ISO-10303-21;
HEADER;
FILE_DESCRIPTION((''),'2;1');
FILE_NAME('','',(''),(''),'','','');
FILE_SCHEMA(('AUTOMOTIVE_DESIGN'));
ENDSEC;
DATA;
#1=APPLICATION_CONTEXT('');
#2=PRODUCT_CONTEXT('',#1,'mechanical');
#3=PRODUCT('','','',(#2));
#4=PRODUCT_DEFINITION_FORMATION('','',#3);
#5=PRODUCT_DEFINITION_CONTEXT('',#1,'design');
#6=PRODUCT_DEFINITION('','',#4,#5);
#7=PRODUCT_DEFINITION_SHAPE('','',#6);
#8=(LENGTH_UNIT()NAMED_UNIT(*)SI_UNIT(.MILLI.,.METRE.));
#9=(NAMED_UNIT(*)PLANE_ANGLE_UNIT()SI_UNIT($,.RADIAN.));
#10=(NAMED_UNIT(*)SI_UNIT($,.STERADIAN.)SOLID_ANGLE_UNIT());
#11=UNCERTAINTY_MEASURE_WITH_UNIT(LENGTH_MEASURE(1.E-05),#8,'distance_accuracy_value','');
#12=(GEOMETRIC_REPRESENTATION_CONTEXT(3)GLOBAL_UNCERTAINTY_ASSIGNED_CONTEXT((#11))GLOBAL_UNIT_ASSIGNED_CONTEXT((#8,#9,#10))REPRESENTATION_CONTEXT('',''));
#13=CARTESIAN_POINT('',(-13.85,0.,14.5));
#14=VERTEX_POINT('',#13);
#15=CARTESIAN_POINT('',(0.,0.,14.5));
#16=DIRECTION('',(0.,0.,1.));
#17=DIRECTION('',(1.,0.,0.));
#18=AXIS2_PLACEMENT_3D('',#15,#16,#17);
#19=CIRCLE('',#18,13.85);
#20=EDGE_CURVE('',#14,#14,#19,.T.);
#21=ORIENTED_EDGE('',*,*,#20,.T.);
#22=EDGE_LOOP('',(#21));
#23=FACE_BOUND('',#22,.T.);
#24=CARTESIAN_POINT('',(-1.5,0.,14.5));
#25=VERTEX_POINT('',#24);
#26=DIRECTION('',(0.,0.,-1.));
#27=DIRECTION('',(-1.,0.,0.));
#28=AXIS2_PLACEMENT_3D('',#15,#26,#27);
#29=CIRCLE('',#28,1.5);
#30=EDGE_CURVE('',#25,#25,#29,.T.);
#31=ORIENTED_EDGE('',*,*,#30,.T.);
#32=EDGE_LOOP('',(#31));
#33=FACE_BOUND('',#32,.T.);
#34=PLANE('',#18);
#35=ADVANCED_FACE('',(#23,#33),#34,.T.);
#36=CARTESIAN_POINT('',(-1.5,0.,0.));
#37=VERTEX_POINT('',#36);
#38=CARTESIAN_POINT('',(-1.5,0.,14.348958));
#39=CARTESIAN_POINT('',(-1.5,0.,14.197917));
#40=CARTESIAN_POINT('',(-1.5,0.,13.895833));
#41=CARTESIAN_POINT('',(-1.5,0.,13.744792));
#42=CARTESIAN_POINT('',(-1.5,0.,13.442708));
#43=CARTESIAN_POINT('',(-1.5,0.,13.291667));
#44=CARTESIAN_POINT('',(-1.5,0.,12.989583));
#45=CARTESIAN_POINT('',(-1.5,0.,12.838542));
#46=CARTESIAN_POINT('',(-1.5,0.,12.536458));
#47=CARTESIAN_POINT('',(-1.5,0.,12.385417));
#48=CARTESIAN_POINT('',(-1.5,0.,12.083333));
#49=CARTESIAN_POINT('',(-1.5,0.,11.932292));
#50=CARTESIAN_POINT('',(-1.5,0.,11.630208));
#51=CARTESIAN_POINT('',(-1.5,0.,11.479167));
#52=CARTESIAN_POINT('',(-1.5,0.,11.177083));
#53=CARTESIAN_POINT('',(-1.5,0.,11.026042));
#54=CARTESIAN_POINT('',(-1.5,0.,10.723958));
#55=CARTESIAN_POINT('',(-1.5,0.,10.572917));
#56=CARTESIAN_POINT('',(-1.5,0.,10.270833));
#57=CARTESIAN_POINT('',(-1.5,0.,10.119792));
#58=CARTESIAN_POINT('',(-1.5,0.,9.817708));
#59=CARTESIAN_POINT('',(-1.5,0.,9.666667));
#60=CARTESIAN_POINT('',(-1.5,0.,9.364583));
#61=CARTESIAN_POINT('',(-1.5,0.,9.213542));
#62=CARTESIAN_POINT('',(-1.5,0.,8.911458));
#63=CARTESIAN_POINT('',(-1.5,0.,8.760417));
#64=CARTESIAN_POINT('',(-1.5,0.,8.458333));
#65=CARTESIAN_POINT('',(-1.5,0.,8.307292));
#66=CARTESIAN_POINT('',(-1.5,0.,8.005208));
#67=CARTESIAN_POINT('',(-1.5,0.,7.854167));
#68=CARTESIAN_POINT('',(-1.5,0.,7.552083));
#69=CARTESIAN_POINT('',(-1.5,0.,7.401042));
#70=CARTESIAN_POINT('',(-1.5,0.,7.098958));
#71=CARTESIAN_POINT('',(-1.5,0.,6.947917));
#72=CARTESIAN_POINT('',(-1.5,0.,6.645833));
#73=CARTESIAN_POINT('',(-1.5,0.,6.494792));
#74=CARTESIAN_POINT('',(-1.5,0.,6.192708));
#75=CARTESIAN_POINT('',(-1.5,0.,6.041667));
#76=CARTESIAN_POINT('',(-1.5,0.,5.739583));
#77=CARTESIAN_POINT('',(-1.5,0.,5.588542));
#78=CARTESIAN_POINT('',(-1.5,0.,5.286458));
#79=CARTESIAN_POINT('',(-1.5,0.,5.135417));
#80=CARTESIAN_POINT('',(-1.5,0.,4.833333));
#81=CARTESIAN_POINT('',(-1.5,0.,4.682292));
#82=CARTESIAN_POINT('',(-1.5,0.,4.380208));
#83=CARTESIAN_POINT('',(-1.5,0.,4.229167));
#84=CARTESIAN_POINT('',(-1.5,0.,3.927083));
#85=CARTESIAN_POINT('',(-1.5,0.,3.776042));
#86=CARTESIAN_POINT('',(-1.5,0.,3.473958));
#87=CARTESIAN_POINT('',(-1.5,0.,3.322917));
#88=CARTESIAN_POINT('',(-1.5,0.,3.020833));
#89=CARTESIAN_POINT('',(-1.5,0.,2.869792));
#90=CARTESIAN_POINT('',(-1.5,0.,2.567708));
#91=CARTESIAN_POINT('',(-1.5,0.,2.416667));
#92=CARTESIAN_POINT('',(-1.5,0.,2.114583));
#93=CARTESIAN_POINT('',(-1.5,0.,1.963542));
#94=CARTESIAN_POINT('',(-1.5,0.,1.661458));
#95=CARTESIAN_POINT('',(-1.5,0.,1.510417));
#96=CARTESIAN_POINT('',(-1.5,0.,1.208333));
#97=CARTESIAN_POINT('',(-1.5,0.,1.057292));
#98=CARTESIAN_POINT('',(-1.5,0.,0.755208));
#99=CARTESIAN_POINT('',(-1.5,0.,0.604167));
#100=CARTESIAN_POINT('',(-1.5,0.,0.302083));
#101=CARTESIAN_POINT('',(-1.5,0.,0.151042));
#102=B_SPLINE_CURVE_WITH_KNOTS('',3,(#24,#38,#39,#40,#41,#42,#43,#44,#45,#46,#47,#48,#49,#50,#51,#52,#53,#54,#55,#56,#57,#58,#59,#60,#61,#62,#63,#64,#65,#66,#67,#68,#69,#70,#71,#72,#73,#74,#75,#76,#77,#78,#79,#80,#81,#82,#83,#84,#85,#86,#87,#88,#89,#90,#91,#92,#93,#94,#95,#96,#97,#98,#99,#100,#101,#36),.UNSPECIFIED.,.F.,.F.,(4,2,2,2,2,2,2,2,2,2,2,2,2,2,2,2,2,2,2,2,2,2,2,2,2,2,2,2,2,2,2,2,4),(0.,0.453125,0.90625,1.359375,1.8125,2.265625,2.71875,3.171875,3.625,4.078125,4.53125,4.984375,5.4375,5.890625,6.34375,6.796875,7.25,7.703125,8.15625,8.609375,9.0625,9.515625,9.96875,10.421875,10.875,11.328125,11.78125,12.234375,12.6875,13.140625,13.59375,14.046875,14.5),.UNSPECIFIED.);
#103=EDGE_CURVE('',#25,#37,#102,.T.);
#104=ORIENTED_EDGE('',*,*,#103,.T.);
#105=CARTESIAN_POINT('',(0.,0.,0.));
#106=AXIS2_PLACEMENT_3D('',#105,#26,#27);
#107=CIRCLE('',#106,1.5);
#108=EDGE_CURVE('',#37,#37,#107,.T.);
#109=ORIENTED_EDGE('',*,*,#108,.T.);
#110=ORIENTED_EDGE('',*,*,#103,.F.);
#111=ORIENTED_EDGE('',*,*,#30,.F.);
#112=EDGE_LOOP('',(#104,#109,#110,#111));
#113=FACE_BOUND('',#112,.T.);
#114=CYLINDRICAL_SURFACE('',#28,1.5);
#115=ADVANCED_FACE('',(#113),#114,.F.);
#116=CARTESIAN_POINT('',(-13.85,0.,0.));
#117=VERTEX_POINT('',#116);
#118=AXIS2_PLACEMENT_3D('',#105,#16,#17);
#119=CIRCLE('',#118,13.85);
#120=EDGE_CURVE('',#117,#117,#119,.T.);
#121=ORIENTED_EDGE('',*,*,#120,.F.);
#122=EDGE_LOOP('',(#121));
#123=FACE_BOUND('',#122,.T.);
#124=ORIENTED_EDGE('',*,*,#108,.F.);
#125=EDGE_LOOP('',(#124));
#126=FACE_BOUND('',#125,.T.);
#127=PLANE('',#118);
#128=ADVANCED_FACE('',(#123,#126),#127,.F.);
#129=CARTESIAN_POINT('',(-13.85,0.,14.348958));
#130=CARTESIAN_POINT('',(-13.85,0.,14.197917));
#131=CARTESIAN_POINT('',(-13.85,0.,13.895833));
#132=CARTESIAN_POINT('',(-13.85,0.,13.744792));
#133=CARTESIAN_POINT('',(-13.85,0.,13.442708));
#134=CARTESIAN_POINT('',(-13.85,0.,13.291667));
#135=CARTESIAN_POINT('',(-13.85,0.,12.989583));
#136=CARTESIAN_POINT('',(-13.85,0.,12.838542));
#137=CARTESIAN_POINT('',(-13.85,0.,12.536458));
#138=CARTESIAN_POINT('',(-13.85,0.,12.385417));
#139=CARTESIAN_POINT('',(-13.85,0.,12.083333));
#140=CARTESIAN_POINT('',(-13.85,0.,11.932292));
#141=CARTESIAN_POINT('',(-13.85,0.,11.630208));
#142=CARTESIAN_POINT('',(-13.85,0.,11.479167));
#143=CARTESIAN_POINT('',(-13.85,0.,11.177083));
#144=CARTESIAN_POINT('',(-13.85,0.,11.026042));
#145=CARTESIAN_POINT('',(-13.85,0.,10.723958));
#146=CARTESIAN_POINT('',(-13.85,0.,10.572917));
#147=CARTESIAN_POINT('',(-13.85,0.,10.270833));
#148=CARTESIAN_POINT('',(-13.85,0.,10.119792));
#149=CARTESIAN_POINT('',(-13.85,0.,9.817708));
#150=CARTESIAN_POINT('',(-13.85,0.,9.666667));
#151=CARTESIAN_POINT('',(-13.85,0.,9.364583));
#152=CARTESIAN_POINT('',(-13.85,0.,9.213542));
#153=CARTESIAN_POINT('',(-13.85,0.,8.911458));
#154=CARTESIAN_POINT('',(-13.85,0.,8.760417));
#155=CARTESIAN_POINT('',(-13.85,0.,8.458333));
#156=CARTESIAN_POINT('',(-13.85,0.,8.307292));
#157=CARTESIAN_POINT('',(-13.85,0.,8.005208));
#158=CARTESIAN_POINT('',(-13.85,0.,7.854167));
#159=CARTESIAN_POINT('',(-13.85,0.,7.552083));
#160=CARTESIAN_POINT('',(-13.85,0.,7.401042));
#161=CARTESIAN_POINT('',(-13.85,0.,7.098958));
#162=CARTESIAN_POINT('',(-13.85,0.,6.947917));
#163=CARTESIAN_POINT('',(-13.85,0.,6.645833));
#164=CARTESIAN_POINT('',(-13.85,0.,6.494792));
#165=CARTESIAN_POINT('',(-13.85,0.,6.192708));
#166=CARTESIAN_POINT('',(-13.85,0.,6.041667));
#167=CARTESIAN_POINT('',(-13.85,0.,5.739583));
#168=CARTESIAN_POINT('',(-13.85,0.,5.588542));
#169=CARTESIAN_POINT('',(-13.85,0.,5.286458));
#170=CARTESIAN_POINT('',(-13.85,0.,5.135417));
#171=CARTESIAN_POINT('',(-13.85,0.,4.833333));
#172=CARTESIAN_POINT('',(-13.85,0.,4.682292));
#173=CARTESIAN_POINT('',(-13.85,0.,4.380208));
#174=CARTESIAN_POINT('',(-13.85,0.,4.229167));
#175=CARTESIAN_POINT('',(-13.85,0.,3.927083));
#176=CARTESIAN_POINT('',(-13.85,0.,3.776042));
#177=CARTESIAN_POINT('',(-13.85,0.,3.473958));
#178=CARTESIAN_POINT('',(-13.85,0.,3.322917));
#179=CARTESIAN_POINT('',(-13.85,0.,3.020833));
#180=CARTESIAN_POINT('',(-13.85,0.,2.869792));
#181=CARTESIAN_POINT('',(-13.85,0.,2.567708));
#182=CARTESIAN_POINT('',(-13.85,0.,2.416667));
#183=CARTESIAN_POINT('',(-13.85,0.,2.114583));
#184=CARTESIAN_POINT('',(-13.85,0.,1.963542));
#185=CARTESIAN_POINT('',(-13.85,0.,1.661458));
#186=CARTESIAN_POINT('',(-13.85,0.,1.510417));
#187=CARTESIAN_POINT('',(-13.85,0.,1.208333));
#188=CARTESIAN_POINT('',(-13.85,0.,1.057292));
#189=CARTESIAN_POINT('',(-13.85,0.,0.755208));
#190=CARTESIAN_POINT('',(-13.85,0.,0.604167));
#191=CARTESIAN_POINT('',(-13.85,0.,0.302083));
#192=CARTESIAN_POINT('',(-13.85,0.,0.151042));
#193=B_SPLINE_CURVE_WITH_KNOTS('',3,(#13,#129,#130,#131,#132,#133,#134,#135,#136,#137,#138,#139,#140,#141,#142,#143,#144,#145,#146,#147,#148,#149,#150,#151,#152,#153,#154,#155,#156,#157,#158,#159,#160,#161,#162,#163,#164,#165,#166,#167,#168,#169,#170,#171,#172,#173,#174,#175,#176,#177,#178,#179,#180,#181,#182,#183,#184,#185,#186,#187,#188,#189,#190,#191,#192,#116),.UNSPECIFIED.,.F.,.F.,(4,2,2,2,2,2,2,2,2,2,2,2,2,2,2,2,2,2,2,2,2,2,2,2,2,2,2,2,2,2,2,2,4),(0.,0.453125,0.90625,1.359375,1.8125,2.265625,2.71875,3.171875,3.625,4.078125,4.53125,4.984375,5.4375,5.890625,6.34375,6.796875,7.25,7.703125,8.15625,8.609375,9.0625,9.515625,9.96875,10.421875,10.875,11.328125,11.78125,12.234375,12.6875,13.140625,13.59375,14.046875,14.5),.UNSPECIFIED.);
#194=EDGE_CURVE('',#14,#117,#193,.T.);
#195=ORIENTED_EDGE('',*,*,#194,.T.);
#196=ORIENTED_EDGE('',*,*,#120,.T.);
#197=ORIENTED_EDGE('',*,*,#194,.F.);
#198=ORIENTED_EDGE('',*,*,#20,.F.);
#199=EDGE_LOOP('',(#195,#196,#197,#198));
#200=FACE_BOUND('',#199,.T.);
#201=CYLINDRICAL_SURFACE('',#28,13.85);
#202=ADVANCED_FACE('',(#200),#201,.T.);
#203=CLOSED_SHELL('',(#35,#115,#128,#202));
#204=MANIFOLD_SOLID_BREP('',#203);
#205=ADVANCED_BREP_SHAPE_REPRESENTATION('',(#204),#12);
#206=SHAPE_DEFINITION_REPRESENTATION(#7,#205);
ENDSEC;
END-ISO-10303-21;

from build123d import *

# Parameters (mm, degrees)
SKETCH1_R           = 13.85
BOSS_EXTRUDE1_DEPTH = 14.5
SKETCH3_R           = 1.5
CUT_EXTRUDE1_DEPTH  = 14.5


with BuildPart() as part:
    # Sketch1 → Boss-Extrude1 (new body)
    with BuildSketch(Plane.XY):
        with Locations(Location((0, 0, 0), (0, 0, 180))):
            Circle(SKETCH1_R)
    extrude(amount=BOSS_EXTRUDE1_DEPTH)

    # Sketch3 → Cut-Extrude1 (cut)
    with BuildSketch(Plane(origin=(0, 0, 0), x_dir=(-1, 0, 0), z_dir=(0, 0, -1))):
        Circle(SKETCH3_R)
    extrude(amount=-CUT_EXTRUDE1_DEPTH, mode=Mode.SUBTRACT)


solid = part.part
